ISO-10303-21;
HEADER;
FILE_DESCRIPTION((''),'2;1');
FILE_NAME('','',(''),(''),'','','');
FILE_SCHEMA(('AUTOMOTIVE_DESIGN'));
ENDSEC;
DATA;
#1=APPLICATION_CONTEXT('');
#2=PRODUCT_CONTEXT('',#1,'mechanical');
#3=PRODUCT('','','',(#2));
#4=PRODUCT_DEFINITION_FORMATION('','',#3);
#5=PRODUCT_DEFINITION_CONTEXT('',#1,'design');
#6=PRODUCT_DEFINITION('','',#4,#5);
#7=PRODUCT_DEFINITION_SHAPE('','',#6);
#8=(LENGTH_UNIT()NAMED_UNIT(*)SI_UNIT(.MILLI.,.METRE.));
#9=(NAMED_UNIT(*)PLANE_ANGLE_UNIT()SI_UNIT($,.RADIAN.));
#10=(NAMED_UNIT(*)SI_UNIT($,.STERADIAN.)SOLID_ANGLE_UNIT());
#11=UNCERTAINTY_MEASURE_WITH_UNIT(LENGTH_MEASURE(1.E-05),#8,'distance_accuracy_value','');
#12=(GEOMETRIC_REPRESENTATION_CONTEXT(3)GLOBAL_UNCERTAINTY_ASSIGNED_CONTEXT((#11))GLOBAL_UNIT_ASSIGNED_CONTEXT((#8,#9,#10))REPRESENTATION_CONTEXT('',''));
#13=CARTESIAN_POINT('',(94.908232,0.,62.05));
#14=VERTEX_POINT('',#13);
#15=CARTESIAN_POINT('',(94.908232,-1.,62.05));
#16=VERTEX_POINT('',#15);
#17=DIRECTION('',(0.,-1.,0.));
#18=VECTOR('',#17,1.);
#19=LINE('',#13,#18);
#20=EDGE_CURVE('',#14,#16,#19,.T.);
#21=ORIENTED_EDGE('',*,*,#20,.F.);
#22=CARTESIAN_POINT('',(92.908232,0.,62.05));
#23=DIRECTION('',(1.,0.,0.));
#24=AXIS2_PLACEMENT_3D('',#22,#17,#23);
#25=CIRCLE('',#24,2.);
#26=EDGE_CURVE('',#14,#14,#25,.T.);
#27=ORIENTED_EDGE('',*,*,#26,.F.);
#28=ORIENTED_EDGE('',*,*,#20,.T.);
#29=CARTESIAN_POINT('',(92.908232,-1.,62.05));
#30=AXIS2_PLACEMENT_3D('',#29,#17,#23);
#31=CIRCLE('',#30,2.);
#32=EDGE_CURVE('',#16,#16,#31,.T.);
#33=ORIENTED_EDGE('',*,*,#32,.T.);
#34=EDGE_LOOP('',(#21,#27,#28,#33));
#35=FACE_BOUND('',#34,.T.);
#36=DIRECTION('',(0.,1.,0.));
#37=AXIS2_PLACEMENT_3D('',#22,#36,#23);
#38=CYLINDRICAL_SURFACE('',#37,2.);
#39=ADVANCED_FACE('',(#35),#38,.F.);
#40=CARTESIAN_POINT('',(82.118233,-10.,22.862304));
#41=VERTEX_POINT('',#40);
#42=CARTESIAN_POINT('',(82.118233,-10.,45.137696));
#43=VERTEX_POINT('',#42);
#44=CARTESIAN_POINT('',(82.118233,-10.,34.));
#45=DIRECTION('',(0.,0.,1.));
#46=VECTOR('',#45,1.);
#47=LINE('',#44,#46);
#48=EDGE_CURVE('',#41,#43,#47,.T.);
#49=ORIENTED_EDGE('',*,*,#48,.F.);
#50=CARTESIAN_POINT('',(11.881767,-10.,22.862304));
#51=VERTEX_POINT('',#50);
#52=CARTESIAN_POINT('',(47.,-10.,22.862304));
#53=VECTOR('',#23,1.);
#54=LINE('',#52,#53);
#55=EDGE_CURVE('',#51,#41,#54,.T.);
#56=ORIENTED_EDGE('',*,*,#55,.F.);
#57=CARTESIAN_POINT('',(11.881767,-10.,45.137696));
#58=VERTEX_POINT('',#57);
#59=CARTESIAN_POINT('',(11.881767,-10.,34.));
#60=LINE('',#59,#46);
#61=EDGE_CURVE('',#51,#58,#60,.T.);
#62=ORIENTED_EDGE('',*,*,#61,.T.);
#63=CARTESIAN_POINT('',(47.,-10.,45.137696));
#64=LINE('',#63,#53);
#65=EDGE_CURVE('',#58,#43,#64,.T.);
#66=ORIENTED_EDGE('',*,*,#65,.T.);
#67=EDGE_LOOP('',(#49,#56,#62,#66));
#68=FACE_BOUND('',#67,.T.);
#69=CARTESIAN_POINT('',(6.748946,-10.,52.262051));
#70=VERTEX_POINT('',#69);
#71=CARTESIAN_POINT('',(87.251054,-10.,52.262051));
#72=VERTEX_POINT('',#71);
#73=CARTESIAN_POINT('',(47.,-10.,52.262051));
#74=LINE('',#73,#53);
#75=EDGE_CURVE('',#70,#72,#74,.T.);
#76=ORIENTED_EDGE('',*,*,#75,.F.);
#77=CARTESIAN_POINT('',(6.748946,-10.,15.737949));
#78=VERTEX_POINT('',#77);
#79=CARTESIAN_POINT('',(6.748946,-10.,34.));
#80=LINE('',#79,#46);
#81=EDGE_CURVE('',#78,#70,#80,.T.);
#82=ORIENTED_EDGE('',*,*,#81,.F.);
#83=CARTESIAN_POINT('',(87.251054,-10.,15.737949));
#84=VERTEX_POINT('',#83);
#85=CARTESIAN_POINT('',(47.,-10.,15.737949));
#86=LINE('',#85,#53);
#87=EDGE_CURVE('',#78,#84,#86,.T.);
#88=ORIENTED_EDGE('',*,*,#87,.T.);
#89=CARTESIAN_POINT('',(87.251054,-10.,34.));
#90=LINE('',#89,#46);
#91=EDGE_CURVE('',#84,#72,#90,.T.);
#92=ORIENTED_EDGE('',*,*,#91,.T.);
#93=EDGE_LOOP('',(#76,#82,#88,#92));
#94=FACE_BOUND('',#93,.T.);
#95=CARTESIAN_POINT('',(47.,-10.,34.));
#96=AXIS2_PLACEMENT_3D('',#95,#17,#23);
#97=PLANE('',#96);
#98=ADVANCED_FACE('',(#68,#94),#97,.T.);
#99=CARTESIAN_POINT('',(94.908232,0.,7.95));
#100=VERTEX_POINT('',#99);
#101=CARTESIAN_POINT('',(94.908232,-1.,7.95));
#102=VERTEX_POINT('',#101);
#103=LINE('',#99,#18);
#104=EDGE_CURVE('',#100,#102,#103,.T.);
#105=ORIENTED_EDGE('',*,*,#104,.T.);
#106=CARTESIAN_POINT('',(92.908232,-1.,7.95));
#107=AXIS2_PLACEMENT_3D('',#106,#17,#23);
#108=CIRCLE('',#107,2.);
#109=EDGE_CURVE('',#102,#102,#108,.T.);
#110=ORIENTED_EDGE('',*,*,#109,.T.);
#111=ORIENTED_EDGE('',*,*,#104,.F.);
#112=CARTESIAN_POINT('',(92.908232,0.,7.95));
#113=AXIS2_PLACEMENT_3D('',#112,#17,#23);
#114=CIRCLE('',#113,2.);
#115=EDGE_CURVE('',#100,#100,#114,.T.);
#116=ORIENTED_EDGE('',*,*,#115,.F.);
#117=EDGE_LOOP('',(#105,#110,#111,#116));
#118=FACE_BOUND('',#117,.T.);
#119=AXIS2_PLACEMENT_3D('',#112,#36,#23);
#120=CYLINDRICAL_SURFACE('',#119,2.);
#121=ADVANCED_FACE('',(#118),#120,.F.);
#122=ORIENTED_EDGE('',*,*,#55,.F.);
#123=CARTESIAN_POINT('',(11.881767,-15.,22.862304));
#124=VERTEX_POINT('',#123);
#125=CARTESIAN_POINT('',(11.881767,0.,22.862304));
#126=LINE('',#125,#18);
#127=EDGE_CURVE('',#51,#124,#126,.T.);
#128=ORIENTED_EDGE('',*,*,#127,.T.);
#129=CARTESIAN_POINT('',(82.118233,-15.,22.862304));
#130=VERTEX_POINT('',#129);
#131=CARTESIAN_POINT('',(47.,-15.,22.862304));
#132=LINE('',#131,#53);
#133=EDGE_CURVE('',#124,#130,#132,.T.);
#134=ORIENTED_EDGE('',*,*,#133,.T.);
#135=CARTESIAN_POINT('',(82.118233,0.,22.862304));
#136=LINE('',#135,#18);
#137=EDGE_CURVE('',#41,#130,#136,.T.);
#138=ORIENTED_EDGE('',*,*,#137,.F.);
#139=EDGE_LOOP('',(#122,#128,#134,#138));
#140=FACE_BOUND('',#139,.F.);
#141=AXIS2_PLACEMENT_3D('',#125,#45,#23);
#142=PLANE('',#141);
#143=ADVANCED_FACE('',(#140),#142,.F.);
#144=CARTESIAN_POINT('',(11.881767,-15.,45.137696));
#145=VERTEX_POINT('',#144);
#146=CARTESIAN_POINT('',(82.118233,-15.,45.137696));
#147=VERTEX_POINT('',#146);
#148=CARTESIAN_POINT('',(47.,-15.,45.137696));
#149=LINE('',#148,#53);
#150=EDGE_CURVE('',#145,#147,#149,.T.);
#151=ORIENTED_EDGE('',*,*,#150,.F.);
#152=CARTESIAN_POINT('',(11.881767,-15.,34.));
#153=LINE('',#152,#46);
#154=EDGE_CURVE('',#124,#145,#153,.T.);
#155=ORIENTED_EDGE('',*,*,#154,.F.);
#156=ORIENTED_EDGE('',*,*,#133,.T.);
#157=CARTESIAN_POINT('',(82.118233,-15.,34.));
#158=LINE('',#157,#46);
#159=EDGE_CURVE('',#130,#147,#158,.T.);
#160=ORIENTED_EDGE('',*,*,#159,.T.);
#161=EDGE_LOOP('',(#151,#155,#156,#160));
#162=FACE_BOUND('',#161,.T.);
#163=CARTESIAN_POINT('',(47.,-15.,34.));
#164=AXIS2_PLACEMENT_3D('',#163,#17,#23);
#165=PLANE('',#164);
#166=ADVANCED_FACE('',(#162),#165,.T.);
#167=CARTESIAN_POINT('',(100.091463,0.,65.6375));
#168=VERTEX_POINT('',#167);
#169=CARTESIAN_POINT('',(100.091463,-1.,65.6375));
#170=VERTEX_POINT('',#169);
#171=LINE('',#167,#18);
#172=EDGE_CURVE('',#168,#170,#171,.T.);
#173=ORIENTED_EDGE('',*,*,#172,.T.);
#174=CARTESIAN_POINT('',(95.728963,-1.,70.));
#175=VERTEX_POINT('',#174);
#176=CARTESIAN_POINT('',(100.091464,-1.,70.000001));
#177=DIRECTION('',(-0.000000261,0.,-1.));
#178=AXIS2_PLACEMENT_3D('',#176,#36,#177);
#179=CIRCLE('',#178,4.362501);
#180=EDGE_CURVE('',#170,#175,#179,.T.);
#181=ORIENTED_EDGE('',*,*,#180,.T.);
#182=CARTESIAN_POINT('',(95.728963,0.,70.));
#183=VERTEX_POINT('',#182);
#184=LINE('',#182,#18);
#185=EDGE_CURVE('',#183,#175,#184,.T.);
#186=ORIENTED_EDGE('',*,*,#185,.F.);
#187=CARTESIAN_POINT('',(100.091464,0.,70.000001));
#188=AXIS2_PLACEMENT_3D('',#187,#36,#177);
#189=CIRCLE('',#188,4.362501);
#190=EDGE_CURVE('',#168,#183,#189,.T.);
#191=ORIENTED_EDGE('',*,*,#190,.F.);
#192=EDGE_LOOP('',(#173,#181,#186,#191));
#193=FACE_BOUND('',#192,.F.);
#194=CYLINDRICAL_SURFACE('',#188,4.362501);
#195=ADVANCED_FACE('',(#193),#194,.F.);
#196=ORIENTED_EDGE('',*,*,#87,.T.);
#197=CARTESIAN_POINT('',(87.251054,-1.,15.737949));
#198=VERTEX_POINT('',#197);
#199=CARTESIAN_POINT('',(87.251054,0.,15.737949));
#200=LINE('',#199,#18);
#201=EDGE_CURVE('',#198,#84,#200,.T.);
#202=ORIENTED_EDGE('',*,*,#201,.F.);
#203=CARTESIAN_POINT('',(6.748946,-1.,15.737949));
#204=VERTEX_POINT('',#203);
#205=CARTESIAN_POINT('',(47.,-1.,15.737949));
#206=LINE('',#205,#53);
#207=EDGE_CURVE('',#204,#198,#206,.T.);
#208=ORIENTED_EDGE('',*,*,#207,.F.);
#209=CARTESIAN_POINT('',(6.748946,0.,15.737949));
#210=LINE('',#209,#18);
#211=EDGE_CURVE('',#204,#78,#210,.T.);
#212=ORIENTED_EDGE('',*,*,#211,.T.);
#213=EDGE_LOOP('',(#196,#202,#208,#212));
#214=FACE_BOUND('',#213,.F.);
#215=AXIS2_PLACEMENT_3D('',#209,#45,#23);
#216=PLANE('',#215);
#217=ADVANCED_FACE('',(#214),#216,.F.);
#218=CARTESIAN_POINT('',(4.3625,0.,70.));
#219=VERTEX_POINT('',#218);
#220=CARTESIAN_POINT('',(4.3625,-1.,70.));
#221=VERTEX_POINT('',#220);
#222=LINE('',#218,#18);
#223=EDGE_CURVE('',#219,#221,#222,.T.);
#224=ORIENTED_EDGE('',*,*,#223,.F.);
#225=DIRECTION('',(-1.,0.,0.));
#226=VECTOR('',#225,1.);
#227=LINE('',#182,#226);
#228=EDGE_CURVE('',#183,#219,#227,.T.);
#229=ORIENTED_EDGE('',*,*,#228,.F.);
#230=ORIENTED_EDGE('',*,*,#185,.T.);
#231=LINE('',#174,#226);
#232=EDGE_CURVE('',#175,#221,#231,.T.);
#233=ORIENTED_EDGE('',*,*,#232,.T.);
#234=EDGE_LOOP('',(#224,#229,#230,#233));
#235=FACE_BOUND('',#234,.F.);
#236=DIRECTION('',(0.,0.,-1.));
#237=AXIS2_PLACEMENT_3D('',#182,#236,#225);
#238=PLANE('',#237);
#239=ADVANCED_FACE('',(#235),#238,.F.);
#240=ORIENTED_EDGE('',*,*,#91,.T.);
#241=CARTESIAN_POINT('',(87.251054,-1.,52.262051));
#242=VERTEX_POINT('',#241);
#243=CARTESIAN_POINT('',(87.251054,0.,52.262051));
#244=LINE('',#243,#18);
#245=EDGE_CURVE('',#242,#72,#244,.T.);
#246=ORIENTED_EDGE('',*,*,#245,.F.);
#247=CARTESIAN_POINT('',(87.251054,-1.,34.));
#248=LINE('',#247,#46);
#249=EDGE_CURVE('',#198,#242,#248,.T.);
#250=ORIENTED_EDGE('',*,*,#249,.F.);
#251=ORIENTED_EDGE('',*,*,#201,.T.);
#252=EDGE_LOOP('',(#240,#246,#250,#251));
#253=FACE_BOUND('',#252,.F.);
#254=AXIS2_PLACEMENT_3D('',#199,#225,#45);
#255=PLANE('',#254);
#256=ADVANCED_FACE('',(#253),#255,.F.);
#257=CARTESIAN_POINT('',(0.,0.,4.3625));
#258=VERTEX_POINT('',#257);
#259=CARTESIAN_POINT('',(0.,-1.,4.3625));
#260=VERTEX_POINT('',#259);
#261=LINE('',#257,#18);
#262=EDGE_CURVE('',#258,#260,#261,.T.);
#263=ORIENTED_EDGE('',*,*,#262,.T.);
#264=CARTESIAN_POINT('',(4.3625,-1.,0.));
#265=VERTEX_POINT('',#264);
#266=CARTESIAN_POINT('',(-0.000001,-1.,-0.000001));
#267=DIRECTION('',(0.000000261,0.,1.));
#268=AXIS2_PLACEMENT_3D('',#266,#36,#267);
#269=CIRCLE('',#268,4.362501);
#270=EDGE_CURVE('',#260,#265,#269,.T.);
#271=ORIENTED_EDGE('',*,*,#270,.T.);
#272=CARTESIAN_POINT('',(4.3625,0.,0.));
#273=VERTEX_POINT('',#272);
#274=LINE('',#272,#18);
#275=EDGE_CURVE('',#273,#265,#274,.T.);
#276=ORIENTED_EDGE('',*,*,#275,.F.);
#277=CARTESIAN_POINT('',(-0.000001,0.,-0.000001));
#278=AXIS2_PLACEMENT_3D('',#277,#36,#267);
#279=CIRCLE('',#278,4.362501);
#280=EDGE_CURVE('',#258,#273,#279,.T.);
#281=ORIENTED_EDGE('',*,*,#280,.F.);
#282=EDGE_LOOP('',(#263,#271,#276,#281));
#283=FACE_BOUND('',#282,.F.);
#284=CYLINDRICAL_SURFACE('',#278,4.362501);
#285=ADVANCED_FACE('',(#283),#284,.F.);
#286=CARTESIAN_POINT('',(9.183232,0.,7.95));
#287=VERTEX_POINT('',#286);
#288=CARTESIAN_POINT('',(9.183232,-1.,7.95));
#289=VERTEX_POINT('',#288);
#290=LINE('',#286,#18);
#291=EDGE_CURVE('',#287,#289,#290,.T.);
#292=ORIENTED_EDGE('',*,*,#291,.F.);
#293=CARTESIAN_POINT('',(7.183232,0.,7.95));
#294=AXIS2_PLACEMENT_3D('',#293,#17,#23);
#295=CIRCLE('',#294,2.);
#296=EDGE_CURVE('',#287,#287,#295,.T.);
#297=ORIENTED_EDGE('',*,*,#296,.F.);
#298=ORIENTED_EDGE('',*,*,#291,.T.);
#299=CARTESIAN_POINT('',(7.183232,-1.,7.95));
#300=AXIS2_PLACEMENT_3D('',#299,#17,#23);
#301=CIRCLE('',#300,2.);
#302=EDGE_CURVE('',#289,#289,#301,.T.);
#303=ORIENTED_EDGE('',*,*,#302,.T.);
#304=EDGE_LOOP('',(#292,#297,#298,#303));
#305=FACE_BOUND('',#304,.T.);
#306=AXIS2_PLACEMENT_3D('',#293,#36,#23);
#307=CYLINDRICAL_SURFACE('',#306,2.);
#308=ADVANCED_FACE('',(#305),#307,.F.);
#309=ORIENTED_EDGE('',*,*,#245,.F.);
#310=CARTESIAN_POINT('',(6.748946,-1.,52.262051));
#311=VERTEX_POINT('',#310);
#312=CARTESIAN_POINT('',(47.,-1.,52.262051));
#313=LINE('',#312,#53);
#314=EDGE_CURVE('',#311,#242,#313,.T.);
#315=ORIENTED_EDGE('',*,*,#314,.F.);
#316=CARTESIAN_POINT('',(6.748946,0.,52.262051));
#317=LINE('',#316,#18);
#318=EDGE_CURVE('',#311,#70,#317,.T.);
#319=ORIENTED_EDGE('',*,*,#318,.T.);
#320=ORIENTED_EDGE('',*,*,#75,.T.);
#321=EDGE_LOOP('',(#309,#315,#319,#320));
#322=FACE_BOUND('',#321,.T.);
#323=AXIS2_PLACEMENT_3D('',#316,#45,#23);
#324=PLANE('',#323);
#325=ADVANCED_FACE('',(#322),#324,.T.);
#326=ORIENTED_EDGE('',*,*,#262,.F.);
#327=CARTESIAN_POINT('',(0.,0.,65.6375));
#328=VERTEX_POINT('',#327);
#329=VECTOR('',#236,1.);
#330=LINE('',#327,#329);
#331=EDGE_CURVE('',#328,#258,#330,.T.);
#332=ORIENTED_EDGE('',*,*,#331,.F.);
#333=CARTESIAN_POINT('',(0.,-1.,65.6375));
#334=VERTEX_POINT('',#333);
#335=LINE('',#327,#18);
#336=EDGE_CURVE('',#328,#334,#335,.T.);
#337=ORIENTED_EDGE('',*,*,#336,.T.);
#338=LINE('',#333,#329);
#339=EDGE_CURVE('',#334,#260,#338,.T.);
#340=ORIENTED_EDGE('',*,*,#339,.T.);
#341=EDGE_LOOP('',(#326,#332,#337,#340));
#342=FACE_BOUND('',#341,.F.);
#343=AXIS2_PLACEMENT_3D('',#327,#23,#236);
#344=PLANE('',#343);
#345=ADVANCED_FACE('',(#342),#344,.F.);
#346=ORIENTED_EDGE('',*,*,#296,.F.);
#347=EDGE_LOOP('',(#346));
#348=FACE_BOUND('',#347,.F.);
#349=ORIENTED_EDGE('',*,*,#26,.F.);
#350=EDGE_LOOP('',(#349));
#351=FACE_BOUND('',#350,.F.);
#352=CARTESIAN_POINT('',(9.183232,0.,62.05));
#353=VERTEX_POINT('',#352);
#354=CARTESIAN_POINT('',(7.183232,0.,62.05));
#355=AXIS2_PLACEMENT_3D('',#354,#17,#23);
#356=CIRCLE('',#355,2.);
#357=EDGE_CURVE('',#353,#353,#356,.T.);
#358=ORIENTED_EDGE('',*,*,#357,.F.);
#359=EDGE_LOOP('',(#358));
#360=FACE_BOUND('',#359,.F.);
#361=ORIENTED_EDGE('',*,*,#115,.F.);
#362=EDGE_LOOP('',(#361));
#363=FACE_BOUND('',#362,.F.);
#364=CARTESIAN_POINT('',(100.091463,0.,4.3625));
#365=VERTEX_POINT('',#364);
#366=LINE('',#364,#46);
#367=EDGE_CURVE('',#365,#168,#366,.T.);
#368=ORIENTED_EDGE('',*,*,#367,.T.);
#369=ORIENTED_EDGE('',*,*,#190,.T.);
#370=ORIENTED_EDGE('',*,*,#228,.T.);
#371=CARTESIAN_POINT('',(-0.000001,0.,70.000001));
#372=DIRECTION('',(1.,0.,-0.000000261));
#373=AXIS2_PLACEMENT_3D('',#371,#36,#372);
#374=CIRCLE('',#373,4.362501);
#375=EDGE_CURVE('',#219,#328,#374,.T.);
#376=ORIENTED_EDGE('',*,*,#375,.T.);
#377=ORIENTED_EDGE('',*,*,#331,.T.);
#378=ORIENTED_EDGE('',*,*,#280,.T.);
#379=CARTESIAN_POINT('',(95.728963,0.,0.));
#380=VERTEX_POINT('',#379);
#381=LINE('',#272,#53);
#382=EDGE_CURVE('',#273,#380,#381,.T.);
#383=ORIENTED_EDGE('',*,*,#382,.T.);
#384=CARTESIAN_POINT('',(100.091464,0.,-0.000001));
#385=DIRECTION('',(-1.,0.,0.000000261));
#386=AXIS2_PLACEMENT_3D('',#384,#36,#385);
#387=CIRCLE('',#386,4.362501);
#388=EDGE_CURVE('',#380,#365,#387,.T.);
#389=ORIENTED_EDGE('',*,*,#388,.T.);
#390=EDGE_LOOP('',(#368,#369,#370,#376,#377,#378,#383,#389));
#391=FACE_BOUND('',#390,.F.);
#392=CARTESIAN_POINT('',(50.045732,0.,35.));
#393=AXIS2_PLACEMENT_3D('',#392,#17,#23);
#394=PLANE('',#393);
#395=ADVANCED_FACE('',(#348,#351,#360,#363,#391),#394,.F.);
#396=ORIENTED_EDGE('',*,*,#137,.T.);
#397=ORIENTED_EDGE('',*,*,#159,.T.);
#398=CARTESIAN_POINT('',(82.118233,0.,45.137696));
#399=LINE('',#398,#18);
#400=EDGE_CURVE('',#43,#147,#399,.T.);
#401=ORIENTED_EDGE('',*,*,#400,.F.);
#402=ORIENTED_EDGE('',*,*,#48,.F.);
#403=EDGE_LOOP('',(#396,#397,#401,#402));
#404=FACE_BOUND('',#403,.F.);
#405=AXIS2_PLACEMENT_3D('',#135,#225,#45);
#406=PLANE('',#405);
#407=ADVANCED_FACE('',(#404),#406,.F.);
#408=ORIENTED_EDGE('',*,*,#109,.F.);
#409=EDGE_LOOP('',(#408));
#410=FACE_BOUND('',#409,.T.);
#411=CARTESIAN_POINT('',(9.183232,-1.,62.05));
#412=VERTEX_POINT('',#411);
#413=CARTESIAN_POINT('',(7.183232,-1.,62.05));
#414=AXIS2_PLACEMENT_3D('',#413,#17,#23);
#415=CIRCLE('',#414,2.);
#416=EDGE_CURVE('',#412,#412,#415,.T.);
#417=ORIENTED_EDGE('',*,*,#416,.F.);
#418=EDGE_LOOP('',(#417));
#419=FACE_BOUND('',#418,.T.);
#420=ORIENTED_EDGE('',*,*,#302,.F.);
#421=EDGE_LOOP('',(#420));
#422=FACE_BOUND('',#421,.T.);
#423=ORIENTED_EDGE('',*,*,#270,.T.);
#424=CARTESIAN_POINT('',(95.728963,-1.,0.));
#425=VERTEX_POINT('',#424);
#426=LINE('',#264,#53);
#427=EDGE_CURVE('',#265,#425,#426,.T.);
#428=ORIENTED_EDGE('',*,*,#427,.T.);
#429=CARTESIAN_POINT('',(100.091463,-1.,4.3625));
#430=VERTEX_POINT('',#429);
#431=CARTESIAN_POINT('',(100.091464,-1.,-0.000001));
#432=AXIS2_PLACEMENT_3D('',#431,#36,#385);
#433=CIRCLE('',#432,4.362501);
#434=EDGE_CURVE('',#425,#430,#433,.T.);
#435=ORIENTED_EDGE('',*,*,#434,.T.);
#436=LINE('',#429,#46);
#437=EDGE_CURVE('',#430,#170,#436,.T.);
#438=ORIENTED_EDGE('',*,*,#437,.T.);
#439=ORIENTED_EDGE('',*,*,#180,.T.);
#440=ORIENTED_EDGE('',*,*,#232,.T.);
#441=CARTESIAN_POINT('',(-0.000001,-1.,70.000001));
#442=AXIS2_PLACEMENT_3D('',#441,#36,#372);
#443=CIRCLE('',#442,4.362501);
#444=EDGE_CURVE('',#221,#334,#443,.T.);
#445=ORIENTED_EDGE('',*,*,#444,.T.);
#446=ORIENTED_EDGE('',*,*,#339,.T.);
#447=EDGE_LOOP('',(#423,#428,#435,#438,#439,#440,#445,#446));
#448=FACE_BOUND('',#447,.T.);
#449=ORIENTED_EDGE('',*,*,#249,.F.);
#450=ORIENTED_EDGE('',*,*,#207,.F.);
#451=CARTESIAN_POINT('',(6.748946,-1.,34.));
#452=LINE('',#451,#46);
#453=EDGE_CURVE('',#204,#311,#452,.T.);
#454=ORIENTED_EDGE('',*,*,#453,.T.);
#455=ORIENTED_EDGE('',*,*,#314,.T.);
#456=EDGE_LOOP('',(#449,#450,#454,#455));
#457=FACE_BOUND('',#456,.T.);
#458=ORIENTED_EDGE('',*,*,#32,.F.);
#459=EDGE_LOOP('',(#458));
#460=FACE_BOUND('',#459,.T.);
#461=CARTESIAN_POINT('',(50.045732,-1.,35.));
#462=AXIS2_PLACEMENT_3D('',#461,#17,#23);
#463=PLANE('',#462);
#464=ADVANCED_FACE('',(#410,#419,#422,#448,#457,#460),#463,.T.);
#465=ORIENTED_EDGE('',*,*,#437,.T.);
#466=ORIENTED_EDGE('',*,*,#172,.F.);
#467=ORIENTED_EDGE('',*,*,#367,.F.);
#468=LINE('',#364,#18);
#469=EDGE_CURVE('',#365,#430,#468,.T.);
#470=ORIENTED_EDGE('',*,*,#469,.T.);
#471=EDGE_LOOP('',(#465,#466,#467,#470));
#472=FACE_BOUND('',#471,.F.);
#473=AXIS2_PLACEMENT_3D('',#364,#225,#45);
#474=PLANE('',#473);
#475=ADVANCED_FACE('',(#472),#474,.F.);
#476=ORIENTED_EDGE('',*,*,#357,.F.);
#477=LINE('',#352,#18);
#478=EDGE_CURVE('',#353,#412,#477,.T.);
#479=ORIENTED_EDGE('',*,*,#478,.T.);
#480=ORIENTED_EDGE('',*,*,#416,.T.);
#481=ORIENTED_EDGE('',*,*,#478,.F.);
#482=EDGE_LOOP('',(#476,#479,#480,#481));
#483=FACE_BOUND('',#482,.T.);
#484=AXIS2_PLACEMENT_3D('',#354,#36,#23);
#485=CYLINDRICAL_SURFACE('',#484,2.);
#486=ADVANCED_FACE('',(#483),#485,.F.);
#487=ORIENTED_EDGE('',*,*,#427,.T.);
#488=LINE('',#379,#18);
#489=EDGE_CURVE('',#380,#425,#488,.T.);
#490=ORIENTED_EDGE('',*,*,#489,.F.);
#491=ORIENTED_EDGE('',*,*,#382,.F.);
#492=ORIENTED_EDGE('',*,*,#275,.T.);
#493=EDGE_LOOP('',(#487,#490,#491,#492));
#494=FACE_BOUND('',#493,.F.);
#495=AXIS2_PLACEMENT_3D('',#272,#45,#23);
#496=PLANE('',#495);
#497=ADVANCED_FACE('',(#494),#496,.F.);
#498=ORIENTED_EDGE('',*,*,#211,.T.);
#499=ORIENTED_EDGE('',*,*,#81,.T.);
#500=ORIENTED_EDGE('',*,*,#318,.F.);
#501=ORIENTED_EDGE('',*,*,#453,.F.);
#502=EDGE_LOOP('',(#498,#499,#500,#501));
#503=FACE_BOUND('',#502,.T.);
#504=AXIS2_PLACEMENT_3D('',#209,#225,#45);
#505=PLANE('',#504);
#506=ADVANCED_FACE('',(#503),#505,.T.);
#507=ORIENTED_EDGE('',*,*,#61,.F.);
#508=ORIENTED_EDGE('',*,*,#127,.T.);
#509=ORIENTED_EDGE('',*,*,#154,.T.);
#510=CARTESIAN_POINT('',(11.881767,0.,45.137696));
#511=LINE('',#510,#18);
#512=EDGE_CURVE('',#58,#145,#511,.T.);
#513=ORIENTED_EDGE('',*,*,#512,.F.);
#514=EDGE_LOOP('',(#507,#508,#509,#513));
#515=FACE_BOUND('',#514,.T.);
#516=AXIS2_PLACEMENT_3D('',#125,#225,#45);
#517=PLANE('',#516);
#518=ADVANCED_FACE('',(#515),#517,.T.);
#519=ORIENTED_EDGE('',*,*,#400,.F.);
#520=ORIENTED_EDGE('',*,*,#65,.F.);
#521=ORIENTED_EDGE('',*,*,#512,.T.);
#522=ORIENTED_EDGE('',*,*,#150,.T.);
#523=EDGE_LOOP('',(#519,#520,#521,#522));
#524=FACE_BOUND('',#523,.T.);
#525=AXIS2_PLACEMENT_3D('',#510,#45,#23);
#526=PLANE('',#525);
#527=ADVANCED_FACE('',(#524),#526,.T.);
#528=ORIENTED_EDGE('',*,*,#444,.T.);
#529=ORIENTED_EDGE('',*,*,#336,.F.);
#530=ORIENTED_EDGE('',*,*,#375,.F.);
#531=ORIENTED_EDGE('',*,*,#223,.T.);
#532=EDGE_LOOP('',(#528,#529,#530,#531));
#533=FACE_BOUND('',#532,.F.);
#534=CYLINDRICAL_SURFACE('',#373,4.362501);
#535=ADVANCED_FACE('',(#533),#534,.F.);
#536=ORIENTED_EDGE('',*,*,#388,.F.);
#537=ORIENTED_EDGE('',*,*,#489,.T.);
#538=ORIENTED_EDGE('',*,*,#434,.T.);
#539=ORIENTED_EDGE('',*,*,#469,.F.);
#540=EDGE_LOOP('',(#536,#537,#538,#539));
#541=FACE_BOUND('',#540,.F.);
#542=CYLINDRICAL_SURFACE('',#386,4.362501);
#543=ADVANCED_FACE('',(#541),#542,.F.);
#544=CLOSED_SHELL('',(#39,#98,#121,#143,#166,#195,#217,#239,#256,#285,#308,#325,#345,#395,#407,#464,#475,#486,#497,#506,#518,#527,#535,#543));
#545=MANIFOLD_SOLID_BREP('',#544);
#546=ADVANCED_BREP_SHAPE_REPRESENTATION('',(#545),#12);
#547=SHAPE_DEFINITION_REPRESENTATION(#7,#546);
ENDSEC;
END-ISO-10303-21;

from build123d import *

# Parameters (mm, degrees)
F0_R     = 2
F0_W     = 80.502108
F0_H     = 36.524102
F1_DEPTH = 1
F0_W_2   = 70.236466
F0_H_2   = 22.275392
F2_DEPTH = 10
F3_DEPTH = 15


with BuildPart() as f1:
    # F0 (on Front) → F1 (new body)
    with BuildSketch(Plane.XZ):
        with BuildLine():
            ThreePointArc((4.3625, 70), (3.084753, 66.915247), (0, 65.6375))
            Line((0, 65.6375), (0, 4.3625))
            ThreePointArc((0, 4.3625), (3.084753, 3.084753), (4.3625, 0))
            Line((4.3625, 0), (95.728963, 0))
            ThreePointArc((95.728963, 0), (97.00671, 3.084753), (100.091463, 4.3625))
            Line((100.091463, 4.3625), (100.091463, 65.6375))
            ThreePointArc((100.091463, 65.6375), (97.00671, 66.915247), (95.728963, 70))
            Line((95.728963, 70), (4.3625, 70))
        make_face()
        with Locations((7.183232, 7.95)):
            Circle(F0_R, mode=Mode.SUBTRACT)
        with Locations((47, 34)):
            Rectangle(F0_W, F0_H, mode=Mode.SUBTRACT)
        with Locations((92.908232, 7.95)):
            Circle(F0_R, mode=Mode.SUBTRACT)
        with Locations((7.183232, 62.05)):
            Circle(F0_R, mode=Mode.SUBTRACT)
        with Locations((92.908232, 62.05)):
            Circle(F0_R, mode=Mode.SUBTRACT)
    extrude(amount=F1_DEPTH)

    # F0 (on Front) → F2 (join)
    with BuildSketch(Plane.XZ):
        with Locations((47, 34)):
            Rectangle(F0_W, F0_H)
        with Locations((47, 34)):
            Rectangle(F0_W_2, F0_H_2, mode=Mode.SUBTRACT)
    extrude(amount=F2_DEPTH)

    # F0 (on Front) → F3 (join)
    with BuildSketch(Plane.XZ):
        with Locations((47, 34)):
            Rectangle(F0_W_2, F0_H_2)
    extrude(amount=F3_DEPTH)


solid = f1.part
